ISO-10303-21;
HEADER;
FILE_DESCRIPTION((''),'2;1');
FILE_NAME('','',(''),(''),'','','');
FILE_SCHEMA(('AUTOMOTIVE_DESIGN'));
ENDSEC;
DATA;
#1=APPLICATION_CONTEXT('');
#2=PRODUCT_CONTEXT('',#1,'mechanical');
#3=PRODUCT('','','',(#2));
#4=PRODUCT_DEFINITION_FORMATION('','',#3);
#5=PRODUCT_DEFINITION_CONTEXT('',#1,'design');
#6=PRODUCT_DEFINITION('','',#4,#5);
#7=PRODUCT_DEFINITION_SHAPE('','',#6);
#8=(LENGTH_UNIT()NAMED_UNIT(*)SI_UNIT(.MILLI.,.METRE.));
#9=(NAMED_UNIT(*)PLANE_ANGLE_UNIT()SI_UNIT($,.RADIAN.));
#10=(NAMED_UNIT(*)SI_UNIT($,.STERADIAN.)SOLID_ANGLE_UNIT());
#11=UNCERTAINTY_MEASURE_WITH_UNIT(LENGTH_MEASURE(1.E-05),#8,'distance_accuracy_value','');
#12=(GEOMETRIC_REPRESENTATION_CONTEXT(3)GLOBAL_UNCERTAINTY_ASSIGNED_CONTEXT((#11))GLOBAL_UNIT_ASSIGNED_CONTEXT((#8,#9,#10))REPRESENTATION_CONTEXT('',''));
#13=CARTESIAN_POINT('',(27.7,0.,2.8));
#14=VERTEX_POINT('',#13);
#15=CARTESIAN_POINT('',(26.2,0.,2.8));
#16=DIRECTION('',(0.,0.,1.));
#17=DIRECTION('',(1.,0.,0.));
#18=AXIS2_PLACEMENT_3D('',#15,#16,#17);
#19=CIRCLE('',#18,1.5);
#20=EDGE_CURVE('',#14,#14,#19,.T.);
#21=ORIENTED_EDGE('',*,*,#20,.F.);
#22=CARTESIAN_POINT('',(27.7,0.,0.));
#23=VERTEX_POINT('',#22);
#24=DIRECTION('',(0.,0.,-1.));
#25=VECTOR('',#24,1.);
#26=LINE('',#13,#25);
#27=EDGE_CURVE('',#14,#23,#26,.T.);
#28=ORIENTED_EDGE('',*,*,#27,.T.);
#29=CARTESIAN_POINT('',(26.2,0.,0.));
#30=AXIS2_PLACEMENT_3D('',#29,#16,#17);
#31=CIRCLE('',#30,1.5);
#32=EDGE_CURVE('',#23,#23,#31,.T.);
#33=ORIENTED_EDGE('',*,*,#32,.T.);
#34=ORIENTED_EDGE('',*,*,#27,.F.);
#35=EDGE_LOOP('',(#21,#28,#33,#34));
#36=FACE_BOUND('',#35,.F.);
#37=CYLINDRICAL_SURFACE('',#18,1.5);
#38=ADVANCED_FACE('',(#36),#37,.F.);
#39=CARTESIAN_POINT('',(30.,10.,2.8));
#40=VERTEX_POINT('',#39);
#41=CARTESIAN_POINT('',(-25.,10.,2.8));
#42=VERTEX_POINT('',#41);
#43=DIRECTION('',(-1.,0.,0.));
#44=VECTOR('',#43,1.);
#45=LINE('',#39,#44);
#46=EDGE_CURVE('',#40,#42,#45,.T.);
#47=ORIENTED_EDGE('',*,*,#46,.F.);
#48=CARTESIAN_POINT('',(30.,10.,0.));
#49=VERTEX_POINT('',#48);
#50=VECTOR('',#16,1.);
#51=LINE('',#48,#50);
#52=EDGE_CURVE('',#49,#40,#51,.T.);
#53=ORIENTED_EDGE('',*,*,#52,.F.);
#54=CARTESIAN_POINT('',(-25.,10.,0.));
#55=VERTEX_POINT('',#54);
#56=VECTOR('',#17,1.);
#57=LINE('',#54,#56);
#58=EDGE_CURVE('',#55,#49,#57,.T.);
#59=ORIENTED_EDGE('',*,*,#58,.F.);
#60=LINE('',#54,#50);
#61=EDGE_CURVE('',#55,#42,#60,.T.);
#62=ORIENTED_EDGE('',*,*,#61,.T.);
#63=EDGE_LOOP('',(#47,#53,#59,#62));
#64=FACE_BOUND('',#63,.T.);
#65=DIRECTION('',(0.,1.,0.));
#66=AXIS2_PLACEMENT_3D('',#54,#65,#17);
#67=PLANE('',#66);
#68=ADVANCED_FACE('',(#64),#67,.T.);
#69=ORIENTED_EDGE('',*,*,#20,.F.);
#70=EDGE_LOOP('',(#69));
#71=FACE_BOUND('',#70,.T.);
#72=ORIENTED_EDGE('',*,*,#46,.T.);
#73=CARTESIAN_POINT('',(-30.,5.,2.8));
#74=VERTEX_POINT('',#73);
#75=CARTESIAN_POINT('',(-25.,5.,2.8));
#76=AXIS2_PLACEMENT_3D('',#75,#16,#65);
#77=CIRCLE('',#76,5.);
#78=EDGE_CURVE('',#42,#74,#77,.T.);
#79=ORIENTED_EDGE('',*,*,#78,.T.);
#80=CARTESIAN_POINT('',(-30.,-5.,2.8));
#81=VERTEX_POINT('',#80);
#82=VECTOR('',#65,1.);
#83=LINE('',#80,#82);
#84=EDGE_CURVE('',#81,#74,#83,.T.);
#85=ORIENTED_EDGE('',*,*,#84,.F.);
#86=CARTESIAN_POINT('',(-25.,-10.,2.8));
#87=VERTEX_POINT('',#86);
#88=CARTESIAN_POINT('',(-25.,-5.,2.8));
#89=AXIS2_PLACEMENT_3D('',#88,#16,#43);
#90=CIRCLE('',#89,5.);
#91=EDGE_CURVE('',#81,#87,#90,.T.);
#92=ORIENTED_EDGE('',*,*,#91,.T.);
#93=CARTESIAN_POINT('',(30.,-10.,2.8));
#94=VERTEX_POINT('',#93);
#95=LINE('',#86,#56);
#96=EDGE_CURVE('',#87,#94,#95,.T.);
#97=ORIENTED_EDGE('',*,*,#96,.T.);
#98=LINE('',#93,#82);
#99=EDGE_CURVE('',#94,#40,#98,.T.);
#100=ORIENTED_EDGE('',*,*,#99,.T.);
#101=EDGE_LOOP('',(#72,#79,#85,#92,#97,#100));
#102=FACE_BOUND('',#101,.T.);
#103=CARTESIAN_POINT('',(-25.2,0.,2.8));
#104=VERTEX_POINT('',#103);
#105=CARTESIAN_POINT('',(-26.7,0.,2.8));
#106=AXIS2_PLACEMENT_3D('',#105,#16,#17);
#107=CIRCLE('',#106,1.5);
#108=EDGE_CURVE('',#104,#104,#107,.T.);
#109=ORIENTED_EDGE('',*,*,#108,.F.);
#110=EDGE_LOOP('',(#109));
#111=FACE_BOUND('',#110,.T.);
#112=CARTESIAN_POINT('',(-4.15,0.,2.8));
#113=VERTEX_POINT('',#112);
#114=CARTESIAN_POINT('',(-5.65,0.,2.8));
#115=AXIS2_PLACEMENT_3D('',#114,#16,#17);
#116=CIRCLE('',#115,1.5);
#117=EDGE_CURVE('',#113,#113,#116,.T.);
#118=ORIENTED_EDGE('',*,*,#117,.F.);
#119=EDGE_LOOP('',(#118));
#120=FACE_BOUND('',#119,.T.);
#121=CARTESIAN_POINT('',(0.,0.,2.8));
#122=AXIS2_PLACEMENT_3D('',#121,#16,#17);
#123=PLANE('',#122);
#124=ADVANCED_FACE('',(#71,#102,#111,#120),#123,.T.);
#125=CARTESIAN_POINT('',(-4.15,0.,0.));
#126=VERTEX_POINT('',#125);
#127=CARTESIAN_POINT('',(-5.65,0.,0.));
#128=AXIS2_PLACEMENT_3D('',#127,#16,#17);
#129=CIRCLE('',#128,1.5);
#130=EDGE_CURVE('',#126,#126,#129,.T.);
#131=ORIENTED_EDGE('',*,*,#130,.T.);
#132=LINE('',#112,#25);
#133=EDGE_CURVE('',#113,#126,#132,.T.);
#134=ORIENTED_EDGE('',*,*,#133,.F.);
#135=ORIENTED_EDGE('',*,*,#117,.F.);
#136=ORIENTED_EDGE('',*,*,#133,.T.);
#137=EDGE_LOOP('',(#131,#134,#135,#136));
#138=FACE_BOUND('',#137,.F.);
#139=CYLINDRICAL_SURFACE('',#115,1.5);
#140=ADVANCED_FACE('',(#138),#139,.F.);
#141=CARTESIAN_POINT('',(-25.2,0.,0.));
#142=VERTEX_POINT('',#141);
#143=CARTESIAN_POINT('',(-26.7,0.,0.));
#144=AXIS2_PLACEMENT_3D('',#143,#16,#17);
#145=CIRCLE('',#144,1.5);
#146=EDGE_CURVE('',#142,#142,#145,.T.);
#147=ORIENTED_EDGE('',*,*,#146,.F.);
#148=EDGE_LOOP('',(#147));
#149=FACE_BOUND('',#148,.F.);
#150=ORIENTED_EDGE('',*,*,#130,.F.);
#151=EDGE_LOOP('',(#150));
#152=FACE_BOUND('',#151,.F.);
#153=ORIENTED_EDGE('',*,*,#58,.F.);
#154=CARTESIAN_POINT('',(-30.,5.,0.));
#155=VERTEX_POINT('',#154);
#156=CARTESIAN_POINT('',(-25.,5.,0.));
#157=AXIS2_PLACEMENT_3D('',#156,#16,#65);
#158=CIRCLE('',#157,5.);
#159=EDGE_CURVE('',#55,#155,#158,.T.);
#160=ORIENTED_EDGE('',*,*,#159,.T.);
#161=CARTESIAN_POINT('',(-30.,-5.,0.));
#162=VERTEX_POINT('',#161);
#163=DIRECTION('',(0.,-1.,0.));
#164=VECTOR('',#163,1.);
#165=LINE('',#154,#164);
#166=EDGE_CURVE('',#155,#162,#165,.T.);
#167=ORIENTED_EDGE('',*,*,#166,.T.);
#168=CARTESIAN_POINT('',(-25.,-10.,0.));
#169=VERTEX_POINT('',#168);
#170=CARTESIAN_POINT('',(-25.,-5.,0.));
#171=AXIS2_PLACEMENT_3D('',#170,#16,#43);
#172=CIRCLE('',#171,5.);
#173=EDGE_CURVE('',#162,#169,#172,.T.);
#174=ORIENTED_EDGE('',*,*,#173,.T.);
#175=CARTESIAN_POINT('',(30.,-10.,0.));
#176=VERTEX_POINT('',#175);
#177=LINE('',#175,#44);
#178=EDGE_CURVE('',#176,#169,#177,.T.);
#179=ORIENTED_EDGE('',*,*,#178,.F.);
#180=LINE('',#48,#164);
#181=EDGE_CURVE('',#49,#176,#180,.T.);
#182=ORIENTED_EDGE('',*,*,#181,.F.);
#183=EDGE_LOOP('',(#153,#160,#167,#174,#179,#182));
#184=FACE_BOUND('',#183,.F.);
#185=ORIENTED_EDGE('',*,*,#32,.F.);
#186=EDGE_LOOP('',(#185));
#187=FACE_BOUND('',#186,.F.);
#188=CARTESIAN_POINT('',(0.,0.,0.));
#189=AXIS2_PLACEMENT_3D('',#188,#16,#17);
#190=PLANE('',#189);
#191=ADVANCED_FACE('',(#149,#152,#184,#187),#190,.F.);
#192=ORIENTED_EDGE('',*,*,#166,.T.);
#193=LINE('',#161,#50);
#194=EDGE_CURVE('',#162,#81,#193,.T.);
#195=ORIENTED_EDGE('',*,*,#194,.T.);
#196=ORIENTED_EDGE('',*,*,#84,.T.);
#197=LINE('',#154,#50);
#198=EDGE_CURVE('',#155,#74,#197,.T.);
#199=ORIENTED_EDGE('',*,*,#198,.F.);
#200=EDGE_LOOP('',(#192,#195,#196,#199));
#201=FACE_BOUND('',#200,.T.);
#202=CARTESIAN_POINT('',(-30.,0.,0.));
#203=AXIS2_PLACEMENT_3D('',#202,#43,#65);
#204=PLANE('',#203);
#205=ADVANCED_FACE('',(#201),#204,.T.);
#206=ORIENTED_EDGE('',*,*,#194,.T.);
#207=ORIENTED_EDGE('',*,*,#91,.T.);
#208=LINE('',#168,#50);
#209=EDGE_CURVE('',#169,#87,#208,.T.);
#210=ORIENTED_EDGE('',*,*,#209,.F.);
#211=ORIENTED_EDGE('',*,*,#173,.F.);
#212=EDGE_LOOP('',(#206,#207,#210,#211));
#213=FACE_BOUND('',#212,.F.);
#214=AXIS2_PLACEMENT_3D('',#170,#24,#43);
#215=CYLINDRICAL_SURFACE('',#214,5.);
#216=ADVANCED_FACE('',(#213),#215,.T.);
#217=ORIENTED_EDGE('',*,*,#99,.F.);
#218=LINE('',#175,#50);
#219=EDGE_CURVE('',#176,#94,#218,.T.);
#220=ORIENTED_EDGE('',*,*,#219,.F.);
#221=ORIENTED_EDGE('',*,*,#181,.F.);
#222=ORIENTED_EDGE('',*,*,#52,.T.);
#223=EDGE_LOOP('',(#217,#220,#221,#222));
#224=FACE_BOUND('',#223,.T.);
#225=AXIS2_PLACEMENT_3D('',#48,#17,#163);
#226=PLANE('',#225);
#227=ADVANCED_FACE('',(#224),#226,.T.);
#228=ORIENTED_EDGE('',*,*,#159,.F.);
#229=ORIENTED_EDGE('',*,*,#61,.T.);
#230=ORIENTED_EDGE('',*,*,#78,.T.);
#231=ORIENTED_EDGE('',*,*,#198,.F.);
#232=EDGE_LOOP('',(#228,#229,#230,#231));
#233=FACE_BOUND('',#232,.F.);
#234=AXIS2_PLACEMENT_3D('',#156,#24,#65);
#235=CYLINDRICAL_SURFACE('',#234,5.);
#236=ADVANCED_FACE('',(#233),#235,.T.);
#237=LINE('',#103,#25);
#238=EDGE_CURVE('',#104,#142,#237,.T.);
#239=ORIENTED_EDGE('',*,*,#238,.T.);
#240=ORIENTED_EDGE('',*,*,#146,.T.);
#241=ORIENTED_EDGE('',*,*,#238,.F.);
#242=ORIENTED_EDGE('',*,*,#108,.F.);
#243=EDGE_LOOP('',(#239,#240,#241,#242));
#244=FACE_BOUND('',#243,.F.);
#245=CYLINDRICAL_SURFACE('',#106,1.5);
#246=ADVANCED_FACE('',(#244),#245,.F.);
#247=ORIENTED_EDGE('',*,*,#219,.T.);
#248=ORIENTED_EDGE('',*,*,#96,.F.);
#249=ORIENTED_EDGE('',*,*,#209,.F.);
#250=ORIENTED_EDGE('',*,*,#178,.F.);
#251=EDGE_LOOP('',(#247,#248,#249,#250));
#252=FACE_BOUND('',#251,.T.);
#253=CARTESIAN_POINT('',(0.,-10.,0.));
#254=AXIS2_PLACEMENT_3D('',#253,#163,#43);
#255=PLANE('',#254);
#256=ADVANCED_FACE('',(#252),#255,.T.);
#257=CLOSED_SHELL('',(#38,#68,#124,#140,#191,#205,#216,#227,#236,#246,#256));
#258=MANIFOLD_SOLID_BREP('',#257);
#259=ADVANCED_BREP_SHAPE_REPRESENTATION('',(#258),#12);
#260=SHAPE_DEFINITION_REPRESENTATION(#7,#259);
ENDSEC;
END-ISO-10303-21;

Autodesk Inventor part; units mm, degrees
ref_plane "YZ Plane" through (0, 0, 0) normal (1, 0, 0) x (0, 1, 0)
ref_plane "XZ Plane" through (0, 0, 0) normal (0, 1, 0) x (-1, 0, 0)
ref_plane "XY Plane" through (0, 0, 0) normal (0, 0, 1) x (1, 0, 0)
sketch "Sketch1" plane through (0, 0, 0) normal (0, 0, 1) x (1, 0, 0)
  line L0 (-43.2426, 0) -> (42.2071, 0) projected
  line L1 (0, -15.4497) -> (0, 15.4497) projected
  line L2 (-25, 10) -> (30, 10)
  line L3 (30, 10) -> (30, -10)
  line L4 (30, -10) -> (-25, -10)
  line L5 (-30, -5) -> (-30, 5)
  arc A0 (-25, 10) -> (-30, 5) centre (-25, 5) ccw
  arc A1 (-30, -5) -> (-25, -10) centre (-25, -5) ccw
  point P0 (0, 0)
  point P1 (-30, 10)
  point P2 (-30, -10)
  dimension "d0" = 60
  dimension "d1" = 20
  dimension "d2" = 30
  dimension "d3" = 10
  dimension "d6" = 5
extrude "Extrusion1" add sketch "Sketch1" along normal blind 2.8
sketch "Sketch2" plane through (0, 0, 2.8) normal (0, 0, 1) x (1, 0, 0)
  line L0 (30, 10) -> (30, -10) projected
  line L1 (-30, -5) -> (-30, 5) projected
  circle A0 centre (-26.7, 0) radius 1.5
  circle A1 centre (26.2, 0) radius 1.5
  circle A2 centre (-5.65, 0) radius 1.5
  point P0 (0, 0)
  dimension "d7" = 3
  dimension "d8" = 3
  dimension "d9" = 3.8
  dimension "d10" = 3.3
extrude "Extrusion2" cut sketch "Sketch2" against normal blind 10
equation "\"d2\" = 0.5 * d0"
equation "\"d3\" = 0.5 * d1"
properties part number "Acrylic_PitchServoSupport_2"
